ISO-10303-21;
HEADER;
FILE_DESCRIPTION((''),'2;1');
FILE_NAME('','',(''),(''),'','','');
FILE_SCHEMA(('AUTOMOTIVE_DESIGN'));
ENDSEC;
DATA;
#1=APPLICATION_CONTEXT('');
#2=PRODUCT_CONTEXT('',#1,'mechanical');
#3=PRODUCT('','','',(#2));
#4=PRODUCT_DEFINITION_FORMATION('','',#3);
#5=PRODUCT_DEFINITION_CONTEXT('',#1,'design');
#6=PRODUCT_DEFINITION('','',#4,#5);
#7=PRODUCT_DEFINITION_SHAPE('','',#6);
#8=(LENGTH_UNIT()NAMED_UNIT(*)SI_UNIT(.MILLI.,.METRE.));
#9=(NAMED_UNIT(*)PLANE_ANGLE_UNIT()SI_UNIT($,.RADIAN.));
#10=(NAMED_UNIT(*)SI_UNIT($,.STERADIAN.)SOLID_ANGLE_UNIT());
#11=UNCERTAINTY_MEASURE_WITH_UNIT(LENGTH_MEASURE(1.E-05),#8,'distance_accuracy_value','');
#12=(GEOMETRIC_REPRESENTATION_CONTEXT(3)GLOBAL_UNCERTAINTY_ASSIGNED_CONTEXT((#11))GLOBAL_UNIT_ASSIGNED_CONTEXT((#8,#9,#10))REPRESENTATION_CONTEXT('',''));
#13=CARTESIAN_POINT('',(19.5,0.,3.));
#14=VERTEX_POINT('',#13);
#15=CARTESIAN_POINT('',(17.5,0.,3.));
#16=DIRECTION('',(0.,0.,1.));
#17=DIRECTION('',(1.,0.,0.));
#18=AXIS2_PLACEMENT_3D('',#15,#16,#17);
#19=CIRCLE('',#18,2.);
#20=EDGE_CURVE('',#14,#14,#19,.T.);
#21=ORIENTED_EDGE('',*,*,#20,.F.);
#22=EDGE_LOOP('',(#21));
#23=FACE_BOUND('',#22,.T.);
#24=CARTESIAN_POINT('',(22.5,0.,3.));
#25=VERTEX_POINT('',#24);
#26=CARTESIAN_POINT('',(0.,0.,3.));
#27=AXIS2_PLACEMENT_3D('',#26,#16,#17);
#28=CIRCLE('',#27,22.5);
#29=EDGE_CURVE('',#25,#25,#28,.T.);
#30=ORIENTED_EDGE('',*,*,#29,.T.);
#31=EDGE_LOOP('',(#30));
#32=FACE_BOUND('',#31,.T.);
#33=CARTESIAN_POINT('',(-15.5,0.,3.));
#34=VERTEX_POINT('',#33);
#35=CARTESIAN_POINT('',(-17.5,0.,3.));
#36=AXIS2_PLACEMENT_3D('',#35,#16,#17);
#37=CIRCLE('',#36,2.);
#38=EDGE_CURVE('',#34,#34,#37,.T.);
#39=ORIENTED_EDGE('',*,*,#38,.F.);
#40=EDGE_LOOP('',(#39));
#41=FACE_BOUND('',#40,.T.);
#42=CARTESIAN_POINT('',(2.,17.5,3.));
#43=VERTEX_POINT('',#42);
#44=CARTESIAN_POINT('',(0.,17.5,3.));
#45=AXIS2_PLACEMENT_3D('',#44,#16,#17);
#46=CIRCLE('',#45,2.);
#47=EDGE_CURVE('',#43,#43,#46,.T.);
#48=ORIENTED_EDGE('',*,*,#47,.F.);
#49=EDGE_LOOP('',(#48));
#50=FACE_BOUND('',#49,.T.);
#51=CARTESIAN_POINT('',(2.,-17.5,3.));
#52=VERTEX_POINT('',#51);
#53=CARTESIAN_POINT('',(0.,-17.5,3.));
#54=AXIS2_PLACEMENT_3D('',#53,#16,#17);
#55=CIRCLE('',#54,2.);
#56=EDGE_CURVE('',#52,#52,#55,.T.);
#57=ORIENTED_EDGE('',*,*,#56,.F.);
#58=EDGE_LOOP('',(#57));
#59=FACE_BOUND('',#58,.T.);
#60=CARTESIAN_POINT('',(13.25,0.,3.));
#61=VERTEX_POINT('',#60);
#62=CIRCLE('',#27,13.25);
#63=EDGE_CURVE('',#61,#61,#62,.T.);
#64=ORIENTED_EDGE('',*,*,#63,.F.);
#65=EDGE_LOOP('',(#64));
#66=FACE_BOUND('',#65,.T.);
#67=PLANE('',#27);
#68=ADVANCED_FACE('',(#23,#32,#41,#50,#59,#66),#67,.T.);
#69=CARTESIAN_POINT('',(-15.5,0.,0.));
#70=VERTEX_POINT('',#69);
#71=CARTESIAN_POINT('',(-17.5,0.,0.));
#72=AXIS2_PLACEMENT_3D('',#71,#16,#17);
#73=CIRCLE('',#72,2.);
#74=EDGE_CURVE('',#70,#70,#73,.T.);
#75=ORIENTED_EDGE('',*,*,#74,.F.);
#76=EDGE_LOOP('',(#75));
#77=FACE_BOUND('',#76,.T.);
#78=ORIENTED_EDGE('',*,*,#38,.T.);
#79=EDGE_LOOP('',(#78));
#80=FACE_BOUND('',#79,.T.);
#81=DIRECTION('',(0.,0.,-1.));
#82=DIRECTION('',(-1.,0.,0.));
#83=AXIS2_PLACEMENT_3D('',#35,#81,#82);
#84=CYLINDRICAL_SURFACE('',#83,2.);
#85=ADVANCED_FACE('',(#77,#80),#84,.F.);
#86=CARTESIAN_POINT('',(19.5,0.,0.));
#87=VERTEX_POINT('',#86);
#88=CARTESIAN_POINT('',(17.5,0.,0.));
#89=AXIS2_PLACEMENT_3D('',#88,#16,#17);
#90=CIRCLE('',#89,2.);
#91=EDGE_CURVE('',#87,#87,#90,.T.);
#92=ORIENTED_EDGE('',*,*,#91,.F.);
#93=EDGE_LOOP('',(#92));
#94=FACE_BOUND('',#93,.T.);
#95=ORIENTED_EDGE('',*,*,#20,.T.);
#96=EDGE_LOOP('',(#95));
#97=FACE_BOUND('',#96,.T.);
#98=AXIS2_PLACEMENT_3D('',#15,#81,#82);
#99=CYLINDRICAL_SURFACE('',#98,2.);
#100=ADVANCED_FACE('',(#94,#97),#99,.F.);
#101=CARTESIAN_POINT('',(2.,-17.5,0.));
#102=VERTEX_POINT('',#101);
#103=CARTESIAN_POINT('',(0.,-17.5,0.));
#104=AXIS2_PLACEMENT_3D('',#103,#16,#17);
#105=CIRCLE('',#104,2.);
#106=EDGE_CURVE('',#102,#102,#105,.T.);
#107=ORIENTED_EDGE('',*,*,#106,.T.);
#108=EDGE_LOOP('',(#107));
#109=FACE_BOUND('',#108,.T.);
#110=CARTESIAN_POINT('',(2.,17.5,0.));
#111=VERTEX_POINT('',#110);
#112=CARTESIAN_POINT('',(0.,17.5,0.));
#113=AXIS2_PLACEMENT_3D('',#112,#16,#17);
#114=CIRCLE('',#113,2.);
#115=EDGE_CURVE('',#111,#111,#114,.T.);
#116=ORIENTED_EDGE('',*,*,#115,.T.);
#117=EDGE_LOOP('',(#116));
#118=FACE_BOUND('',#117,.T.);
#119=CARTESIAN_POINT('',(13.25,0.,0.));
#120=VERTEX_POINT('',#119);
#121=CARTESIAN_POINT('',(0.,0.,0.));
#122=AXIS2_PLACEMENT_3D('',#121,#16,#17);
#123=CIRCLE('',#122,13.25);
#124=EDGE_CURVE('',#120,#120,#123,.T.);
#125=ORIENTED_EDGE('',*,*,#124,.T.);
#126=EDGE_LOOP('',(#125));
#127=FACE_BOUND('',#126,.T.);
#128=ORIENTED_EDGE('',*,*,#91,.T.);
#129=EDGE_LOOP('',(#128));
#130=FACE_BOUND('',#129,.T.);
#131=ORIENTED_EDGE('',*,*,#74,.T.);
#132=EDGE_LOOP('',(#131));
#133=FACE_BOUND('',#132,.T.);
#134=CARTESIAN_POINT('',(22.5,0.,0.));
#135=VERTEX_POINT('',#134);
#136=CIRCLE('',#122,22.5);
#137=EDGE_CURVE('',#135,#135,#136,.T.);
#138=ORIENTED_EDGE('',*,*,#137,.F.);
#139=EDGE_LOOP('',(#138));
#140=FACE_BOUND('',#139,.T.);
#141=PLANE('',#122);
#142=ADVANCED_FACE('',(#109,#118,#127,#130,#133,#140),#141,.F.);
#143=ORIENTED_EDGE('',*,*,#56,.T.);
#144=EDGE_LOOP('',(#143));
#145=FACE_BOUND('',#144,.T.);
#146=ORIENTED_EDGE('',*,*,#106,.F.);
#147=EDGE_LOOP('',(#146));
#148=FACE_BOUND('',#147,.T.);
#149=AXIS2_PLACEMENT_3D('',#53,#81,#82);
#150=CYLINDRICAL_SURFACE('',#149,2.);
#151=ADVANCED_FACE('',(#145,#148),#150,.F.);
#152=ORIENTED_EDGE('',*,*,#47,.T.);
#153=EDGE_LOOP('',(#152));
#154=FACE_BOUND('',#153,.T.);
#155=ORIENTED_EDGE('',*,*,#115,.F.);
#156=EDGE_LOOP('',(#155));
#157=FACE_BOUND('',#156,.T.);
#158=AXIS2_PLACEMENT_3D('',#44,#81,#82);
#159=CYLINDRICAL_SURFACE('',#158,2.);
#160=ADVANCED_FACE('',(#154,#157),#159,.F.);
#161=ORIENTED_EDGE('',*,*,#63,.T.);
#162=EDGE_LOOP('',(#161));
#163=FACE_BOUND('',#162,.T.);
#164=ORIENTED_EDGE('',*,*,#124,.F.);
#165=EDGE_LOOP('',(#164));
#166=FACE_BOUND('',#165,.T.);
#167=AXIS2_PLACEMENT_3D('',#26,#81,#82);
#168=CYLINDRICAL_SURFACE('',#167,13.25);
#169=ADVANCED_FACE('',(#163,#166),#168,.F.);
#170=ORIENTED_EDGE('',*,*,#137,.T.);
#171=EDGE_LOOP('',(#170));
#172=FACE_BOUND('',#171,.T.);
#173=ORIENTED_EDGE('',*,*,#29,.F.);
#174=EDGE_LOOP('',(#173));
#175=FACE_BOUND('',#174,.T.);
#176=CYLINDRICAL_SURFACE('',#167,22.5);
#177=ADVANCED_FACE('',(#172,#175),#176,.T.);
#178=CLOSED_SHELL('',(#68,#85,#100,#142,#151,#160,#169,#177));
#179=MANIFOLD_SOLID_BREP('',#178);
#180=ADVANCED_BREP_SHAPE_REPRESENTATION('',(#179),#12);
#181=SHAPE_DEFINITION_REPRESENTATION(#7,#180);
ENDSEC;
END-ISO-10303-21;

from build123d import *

# Parameters (mm, degrees)
SKETCH_1_R      = 22.5
SKETCH_1_R_2    = 13.25
SKETCH_1_R_3    = 2
EXTRUDE_1_DEPTH = 3


with BuildPart() as part:
    # 草图1 → 凸台-拉伸1 (new body)
    with BuildSketch(Plane.XY):
        Circle(SKETCH_1_R)
        Circle(SKETCH_1_R_2, mode=Mode.SUBTRACT)
        with Locations((0, 17.5)):
            Circle(SKETCH_1_R_3, mode=Mode.SUBTRACT)
        with Locations((-17.5, 0)):
            Circle(SKETCH_1_R_3, mode=Mode.SUBTRACT)
        with Locations((0, -17.5)):
            Circle(SKETCH_1_R_3, mode=Mode.SUBTRACT)
        with Locations((17.5, 0)):
            Circle(SKETCH_1_R_3, mode=Mode.SUBTRACT)
    extrude(amount=EXTRUDE_1_DEPTH)


solid = part.part
